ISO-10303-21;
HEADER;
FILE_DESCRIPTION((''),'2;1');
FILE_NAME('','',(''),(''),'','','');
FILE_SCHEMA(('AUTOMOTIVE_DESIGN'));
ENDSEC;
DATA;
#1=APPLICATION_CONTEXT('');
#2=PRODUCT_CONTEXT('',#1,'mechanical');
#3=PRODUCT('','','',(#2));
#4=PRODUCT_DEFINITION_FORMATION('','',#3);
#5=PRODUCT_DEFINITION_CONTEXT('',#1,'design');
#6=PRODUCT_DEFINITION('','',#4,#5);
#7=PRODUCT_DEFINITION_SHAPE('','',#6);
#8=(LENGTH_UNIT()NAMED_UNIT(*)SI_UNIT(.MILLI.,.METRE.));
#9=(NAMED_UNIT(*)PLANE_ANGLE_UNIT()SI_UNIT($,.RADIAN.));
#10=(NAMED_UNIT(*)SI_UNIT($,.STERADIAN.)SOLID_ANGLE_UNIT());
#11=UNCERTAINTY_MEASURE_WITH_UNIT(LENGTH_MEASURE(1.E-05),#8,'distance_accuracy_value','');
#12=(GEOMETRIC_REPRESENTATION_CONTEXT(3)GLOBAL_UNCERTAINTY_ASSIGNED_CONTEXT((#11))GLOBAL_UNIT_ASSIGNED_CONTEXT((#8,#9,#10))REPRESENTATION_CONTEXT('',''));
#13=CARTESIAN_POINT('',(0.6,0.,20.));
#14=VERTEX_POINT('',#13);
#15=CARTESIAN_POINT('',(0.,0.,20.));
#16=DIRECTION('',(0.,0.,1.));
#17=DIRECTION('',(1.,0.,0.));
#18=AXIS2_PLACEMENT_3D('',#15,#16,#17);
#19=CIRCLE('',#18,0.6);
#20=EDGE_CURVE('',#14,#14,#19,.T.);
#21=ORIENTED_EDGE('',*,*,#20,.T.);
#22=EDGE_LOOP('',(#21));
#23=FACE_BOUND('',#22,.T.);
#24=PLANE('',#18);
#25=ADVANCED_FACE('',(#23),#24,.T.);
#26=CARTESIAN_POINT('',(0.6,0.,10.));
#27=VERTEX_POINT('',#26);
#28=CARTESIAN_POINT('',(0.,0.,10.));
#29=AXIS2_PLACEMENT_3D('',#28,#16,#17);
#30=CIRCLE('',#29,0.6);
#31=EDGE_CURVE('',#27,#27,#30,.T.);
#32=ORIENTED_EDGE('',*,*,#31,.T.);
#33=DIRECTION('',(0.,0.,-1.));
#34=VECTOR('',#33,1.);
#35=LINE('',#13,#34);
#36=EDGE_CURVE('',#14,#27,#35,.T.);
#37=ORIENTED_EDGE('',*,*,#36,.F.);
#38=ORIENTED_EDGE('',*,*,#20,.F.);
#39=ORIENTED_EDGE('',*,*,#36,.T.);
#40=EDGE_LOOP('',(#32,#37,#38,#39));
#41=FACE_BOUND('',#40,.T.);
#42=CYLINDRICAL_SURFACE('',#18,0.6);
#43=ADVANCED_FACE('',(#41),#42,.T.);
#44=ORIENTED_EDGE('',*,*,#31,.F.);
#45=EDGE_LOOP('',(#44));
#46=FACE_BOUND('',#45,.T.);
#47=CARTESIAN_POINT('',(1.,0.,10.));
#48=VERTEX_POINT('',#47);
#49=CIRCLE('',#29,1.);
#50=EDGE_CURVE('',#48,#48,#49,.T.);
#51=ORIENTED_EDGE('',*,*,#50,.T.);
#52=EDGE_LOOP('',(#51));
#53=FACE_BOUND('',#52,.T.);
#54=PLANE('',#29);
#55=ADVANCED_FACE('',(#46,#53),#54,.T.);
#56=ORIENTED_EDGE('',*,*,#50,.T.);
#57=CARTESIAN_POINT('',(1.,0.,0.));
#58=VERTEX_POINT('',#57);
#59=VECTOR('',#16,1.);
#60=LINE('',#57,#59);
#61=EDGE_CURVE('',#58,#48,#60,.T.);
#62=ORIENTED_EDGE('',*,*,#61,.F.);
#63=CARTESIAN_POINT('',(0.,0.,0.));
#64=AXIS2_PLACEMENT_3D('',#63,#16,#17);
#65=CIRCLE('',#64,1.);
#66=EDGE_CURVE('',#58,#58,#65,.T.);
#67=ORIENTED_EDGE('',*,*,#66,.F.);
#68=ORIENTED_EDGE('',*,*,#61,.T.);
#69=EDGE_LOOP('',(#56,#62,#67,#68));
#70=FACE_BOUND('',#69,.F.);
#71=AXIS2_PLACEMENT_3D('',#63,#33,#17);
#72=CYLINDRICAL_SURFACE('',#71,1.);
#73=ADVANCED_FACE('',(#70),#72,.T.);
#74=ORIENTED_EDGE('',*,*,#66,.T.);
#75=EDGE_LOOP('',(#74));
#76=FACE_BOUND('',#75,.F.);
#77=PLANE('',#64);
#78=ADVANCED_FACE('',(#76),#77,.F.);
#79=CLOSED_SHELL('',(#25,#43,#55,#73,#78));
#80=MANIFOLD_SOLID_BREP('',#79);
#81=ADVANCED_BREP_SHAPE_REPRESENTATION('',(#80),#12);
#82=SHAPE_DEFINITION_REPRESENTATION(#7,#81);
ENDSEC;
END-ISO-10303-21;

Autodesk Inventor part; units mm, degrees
ref_plane "YZ Plane" through (0, 0, 0) normal (1, 0, 0) x (0, 1, 0)
ref_plane "XZ Plane" through (0, 0, 0) normal (0, 1, 0) x (-1, 0, 0)
ref_plane "XY Plane" through (0, 0, 0) normal (0, 0, 1) x (1, 0, 0)
sketch "草图1" plane through (0, 0, 0) normal (0, 0, 1) x (1, 0, 0)
  circle A0 centre (0, 0) radius 1
  dimension "d0" = 2
extrude "拉伸1" add sketch "草图1" along normal blind 20
sketch "草图2" plane through (0, 0, 20) normal (0, 0, 1) x (1, 0, 0)
  circle A0 centre (0, 0) radius 0.6
  circle A1 centre (0, 0) radius 1 projected
  dimension "d3" = 1.2
extrude "拉伸2" cut sketch "草图2" against normal blind 10
properties part number "针头轴"
